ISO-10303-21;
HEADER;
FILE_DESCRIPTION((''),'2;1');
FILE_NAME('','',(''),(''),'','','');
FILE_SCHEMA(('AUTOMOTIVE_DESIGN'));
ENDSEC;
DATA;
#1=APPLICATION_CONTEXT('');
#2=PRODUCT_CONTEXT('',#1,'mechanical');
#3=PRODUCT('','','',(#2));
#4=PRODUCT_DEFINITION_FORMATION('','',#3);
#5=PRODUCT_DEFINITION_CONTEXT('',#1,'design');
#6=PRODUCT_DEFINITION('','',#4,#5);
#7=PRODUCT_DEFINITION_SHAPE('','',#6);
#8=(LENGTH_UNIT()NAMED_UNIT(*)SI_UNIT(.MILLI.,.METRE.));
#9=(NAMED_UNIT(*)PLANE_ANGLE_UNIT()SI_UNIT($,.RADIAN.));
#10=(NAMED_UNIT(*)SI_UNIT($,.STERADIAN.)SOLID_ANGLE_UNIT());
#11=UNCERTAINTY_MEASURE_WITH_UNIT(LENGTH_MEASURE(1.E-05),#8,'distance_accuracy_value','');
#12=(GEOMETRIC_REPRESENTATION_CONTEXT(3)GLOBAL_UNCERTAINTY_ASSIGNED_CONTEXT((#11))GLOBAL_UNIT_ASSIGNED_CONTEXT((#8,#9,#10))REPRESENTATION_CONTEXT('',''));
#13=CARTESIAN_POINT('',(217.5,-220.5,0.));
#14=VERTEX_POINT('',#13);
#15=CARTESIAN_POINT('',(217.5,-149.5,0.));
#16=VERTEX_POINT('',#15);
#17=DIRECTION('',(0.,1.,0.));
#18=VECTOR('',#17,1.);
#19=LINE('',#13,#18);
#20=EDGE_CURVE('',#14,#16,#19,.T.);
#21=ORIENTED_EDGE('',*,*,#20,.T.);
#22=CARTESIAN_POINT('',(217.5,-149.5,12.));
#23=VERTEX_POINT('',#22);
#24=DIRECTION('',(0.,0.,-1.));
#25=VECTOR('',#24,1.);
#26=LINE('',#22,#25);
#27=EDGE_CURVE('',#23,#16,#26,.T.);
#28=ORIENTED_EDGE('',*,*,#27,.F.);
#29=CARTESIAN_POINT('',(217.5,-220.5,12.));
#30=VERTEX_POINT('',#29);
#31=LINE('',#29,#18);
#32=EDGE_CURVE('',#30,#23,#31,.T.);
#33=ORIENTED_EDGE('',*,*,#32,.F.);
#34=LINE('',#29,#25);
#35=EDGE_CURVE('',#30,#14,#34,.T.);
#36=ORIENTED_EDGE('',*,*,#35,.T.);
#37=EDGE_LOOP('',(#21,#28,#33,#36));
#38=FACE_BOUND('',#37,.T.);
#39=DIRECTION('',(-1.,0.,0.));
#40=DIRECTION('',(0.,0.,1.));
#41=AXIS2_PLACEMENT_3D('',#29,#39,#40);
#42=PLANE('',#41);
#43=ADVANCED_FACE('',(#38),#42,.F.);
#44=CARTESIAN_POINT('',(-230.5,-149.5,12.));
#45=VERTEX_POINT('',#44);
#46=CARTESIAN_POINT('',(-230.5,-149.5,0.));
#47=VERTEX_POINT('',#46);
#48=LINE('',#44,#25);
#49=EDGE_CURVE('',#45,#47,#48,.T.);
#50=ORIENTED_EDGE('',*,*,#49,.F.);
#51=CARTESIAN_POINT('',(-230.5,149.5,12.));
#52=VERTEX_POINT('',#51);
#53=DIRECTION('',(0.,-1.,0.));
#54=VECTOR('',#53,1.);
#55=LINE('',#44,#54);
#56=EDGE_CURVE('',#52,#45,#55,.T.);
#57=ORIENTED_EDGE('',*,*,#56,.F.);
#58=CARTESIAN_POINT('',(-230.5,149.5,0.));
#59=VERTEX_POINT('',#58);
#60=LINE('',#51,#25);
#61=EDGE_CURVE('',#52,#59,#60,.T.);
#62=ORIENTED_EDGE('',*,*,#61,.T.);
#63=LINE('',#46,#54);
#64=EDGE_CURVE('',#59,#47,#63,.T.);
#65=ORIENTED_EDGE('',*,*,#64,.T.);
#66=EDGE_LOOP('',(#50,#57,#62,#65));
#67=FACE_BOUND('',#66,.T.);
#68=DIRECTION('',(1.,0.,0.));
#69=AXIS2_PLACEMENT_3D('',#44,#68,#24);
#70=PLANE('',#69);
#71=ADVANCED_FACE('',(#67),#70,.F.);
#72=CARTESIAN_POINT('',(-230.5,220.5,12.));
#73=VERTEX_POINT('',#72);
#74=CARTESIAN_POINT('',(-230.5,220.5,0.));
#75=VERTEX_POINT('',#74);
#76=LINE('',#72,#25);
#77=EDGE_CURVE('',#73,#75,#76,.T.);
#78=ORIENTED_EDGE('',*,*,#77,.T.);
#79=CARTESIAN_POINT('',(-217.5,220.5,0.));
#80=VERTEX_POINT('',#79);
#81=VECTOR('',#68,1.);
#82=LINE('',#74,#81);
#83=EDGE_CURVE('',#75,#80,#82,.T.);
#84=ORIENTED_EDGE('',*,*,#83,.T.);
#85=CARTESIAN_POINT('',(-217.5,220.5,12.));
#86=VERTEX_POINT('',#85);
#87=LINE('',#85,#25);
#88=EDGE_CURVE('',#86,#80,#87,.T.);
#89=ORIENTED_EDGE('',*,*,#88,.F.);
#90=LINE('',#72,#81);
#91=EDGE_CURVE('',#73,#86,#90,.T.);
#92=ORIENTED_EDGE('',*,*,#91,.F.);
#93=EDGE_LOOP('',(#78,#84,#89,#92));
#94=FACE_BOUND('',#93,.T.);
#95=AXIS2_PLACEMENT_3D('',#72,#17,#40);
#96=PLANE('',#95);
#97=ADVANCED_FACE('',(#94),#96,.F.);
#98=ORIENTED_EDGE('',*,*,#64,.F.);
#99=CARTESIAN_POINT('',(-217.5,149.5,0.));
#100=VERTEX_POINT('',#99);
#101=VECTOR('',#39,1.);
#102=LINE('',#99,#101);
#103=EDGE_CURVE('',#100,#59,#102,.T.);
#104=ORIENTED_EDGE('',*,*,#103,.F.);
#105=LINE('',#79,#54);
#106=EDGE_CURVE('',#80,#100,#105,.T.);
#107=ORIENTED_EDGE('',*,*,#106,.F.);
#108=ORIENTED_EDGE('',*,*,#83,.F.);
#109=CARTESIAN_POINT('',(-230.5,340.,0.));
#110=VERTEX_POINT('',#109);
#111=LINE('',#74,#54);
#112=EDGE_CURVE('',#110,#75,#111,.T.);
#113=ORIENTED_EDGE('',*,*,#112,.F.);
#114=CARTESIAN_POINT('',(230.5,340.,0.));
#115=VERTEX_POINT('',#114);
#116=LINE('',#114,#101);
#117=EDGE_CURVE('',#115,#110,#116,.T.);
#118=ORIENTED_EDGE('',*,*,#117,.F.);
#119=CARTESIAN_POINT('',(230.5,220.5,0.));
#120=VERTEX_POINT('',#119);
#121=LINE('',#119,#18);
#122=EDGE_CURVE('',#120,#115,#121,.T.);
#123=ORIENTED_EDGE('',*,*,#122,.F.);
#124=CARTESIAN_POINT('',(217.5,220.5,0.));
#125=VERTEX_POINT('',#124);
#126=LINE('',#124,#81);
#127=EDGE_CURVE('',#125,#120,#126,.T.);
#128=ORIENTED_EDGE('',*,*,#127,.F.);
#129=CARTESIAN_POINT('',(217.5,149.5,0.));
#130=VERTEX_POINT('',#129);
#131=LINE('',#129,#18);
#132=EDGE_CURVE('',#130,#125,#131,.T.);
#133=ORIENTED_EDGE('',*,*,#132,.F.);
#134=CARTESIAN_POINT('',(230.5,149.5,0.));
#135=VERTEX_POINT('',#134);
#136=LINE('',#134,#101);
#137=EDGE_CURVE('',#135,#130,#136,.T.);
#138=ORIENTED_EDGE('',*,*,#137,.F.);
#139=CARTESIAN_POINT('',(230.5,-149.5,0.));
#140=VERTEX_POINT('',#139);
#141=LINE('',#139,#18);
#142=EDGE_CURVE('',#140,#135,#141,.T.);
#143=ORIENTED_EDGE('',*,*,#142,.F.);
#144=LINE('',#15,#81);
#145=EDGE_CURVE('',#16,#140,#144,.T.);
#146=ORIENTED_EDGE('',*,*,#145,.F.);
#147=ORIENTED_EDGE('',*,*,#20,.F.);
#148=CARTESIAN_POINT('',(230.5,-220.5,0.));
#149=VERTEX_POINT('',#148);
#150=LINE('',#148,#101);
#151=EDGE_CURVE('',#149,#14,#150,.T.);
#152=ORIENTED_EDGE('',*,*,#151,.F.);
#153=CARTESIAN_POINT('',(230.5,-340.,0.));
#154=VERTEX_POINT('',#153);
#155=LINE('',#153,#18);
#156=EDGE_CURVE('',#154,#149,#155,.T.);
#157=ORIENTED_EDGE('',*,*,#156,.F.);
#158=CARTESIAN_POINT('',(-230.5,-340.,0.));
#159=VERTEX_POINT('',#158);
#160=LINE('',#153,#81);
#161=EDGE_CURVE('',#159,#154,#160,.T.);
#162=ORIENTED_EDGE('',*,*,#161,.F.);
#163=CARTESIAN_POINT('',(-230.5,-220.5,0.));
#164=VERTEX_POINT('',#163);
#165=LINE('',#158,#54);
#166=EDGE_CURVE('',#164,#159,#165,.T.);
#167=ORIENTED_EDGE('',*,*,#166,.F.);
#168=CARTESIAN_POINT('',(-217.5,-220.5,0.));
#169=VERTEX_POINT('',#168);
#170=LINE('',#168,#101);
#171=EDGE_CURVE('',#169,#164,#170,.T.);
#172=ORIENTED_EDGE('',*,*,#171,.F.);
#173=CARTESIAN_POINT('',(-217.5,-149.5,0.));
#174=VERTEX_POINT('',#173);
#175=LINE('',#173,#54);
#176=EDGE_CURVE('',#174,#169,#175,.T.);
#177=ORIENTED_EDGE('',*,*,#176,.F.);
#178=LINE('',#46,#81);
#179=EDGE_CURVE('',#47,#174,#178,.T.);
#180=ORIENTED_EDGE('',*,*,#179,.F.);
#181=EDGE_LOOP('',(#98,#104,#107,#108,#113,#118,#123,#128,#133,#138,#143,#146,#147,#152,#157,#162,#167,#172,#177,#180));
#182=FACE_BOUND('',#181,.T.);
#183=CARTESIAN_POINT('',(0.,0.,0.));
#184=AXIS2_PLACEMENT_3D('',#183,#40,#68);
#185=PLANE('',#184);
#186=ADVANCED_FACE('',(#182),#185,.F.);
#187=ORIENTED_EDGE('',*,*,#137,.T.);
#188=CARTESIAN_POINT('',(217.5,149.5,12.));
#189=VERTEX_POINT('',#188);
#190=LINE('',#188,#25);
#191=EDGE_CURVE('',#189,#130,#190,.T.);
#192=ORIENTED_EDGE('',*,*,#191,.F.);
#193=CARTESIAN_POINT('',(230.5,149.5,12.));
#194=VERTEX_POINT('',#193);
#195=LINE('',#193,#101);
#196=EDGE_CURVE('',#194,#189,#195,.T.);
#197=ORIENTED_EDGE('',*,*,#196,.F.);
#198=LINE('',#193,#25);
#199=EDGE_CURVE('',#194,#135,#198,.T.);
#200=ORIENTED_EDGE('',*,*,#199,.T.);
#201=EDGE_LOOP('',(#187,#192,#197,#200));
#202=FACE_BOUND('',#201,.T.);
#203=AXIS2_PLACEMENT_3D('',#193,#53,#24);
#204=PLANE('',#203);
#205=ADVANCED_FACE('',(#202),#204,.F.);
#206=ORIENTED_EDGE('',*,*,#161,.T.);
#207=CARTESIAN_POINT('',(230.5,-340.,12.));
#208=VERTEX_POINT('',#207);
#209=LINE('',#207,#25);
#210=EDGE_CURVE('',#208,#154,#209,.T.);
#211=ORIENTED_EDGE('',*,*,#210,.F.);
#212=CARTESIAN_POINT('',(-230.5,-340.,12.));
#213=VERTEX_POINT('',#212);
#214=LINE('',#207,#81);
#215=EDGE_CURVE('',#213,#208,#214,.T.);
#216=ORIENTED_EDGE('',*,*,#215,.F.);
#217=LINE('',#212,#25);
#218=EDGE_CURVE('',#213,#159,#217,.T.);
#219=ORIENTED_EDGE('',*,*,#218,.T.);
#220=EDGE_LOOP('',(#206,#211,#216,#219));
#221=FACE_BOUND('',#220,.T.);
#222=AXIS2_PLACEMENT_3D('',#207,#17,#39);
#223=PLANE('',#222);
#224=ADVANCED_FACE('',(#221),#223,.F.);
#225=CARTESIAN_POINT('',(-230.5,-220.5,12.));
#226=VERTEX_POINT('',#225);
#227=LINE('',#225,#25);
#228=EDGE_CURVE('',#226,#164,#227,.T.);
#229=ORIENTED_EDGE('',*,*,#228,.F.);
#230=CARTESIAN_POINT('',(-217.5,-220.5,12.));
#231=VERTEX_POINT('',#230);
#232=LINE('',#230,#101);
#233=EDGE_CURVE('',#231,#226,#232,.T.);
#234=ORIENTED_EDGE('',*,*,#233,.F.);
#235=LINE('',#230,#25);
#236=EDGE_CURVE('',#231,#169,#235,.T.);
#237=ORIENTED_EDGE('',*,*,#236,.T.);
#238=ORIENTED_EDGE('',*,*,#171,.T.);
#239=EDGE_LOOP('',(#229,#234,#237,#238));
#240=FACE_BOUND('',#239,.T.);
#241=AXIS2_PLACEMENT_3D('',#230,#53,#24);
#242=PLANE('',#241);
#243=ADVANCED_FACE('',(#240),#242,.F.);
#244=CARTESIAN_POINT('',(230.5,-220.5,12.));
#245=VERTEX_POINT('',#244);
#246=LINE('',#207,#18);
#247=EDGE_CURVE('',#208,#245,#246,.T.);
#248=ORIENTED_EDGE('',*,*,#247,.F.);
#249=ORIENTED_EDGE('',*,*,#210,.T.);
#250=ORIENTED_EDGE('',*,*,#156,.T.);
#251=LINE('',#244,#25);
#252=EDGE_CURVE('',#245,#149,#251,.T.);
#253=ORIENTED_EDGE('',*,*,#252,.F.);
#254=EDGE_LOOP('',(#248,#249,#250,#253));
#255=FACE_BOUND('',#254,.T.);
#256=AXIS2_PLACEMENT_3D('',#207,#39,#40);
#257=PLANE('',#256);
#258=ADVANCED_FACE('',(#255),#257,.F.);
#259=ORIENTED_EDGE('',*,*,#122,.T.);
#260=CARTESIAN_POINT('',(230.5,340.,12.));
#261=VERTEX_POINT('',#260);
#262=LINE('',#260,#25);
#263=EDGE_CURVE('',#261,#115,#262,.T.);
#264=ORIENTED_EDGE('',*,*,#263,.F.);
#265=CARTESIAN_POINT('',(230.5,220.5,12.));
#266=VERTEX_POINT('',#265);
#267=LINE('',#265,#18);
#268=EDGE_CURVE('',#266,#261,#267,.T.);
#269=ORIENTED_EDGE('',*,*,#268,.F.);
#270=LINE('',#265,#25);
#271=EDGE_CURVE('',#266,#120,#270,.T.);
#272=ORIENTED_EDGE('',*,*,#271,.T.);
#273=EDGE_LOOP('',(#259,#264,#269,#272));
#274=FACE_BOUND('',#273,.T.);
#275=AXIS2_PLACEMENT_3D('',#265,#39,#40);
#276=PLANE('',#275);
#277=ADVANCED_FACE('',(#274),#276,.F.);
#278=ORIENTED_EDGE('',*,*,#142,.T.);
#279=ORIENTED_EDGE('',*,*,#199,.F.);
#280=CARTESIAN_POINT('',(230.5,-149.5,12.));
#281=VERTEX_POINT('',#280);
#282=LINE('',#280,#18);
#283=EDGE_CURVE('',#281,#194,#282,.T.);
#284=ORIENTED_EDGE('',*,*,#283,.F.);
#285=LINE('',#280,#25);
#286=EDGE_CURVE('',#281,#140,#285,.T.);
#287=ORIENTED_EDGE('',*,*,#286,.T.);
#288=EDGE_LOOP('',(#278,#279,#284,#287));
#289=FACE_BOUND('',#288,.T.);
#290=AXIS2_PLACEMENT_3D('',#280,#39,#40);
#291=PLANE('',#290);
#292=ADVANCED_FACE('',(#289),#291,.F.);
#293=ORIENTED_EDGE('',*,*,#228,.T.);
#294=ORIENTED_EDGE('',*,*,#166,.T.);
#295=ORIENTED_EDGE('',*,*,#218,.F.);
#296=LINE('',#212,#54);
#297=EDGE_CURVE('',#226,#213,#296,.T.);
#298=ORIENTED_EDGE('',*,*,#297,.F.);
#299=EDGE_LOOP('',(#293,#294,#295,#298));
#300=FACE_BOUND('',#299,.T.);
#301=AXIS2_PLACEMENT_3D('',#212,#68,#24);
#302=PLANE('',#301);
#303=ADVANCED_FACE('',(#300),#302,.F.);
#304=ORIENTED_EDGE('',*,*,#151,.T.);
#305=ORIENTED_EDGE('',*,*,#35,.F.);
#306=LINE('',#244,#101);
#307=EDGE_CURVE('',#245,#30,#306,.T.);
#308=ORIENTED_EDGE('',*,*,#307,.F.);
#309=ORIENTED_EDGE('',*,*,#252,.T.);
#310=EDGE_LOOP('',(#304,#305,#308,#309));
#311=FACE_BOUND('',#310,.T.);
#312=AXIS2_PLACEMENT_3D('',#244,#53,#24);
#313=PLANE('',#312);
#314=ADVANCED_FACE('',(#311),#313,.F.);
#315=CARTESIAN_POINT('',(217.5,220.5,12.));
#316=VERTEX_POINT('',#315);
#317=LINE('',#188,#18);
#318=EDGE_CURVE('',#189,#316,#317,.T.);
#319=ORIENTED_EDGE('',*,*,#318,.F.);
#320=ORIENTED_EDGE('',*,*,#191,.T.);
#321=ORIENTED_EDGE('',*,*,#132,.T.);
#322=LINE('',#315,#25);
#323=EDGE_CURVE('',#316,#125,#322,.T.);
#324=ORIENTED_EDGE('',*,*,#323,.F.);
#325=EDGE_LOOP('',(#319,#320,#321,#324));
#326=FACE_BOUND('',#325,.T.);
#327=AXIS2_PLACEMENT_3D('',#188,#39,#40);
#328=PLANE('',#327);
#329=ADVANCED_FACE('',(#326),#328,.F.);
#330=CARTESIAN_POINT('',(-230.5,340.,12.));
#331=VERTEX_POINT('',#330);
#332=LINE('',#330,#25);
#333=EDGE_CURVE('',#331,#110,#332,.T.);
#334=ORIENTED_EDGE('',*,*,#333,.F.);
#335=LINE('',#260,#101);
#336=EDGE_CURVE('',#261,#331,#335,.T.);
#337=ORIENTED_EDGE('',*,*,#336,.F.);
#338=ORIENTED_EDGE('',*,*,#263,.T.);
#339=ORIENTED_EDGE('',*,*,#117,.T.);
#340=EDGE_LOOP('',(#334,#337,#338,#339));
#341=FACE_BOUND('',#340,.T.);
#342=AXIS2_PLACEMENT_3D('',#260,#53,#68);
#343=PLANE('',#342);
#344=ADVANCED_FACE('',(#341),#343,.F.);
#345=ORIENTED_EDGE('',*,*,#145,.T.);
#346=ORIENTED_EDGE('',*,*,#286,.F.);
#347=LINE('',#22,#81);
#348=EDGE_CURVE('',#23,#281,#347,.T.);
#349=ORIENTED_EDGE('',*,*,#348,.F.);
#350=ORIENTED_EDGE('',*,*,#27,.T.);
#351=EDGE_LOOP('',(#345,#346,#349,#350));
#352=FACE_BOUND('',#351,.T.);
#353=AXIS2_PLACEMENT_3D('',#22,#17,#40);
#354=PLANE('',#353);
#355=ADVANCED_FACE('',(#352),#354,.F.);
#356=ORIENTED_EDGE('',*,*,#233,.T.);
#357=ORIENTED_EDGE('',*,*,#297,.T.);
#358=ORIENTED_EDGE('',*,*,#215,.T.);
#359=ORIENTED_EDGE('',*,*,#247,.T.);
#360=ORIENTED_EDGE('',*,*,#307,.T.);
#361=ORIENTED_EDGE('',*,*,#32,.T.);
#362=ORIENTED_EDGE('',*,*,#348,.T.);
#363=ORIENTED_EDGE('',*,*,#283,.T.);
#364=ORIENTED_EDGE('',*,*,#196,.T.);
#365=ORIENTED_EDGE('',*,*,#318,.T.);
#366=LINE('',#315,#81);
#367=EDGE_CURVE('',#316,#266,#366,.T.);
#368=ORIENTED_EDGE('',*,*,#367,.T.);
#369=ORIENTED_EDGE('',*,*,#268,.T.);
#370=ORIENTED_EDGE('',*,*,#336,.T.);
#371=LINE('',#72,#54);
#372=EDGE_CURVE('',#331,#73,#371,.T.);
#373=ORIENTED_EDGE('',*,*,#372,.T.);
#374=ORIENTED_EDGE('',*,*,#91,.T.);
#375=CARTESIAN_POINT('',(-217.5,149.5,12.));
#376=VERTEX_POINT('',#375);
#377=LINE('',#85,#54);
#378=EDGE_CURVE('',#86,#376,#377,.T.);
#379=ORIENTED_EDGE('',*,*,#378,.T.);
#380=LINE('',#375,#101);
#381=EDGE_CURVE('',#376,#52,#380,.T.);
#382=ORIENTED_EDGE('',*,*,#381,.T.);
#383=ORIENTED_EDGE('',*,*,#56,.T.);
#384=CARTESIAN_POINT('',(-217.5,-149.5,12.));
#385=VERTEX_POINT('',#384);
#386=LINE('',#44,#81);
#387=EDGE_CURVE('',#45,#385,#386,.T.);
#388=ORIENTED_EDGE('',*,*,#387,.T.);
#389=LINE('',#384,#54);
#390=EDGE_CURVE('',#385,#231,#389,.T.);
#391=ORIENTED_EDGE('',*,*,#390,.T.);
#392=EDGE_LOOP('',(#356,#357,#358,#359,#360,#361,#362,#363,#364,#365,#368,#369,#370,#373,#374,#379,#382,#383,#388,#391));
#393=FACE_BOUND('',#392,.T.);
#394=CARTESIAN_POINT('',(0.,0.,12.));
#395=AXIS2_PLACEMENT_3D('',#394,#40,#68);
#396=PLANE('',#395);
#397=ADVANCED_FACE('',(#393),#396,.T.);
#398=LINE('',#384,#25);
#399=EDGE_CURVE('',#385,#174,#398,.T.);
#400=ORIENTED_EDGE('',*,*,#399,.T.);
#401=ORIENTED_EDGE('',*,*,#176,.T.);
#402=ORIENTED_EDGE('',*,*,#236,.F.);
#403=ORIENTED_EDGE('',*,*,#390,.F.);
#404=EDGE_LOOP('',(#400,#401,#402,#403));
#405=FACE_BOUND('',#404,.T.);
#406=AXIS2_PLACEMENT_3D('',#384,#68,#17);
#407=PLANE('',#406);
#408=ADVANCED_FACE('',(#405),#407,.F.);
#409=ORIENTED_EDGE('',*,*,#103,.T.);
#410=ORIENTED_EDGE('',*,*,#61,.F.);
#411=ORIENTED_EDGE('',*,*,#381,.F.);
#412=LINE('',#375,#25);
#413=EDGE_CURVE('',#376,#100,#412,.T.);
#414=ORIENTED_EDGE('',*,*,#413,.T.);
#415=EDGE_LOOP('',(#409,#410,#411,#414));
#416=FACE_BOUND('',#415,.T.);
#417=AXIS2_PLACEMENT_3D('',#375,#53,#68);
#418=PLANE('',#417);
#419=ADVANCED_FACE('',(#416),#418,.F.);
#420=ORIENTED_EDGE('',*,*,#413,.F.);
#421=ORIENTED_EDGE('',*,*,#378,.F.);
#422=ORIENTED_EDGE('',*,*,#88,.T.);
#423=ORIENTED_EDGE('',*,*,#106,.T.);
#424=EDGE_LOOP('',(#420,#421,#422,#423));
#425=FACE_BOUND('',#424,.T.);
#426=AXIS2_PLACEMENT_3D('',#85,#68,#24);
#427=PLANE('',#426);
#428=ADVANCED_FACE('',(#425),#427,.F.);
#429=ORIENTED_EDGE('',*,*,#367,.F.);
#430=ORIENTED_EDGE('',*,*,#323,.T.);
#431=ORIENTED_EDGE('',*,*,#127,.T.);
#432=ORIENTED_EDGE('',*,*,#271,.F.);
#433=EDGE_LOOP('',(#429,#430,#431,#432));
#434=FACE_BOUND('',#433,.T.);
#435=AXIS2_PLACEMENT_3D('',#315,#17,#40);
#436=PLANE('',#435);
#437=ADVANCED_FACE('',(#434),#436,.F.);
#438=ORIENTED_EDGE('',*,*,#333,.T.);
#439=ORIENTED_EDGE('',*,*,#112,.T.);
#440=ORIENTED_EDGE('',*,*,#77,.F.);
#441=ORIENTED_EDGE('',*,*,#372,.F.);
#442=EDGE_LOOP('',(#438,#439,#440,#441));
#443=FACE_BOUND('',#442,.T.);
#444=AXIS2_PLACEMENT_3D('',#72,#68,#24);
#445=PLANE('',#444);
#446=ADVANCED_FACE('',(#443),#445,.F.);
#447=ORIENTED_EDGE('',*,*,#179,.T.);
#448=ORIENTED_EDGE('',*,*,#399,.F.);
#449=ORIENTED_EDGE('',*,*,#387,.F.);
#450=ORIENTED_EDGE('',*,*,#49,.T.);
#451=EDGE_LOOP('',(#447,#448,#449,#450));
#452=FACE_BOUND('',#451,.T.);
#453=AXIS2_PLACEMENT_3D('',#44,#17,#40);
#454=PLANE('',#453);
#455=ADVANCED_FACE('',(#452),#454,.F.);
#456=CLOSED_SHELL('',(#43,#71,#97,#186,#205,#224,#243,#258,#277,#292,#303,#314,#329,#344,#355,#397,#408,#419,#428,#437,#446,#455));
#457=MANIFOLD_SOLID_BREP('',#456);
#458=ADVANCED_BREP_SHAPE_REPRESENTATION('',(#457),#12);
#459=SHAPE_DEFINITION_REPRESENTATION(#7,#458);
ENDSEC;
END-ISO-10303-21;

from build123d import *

# Parameters (mm, degrees)
EXTRUDE_1_DEPTH = 12


with BuildPart() as part:
    # Эскиз1 → Бобышка-Вытянуть1 (new body)
    with BuildSketch(Plane.XY):
        Polygon((-230.5, 220.5), (-217.5, 220.5), (-217.5, 149.5), (-230.5, 149.5), (-230.5, -149.5), (-217.5, -149.5), (-217.5, -220.5), (-230.5, -220.5), (-230.5, -340), (230.5, -340), (230.5, -220.5), (217.5, -220.5), (217.5, -149.5), (230.5, -149.5), (230.5, 149.5), (217.5, 149.5), (217.5, 220.5), (230.5, 220.5), (230.5, 340), (-230.5, 340), align=None)
    extrude(amount=EXTRUDE_1_DEPTH)


solid = part.part
